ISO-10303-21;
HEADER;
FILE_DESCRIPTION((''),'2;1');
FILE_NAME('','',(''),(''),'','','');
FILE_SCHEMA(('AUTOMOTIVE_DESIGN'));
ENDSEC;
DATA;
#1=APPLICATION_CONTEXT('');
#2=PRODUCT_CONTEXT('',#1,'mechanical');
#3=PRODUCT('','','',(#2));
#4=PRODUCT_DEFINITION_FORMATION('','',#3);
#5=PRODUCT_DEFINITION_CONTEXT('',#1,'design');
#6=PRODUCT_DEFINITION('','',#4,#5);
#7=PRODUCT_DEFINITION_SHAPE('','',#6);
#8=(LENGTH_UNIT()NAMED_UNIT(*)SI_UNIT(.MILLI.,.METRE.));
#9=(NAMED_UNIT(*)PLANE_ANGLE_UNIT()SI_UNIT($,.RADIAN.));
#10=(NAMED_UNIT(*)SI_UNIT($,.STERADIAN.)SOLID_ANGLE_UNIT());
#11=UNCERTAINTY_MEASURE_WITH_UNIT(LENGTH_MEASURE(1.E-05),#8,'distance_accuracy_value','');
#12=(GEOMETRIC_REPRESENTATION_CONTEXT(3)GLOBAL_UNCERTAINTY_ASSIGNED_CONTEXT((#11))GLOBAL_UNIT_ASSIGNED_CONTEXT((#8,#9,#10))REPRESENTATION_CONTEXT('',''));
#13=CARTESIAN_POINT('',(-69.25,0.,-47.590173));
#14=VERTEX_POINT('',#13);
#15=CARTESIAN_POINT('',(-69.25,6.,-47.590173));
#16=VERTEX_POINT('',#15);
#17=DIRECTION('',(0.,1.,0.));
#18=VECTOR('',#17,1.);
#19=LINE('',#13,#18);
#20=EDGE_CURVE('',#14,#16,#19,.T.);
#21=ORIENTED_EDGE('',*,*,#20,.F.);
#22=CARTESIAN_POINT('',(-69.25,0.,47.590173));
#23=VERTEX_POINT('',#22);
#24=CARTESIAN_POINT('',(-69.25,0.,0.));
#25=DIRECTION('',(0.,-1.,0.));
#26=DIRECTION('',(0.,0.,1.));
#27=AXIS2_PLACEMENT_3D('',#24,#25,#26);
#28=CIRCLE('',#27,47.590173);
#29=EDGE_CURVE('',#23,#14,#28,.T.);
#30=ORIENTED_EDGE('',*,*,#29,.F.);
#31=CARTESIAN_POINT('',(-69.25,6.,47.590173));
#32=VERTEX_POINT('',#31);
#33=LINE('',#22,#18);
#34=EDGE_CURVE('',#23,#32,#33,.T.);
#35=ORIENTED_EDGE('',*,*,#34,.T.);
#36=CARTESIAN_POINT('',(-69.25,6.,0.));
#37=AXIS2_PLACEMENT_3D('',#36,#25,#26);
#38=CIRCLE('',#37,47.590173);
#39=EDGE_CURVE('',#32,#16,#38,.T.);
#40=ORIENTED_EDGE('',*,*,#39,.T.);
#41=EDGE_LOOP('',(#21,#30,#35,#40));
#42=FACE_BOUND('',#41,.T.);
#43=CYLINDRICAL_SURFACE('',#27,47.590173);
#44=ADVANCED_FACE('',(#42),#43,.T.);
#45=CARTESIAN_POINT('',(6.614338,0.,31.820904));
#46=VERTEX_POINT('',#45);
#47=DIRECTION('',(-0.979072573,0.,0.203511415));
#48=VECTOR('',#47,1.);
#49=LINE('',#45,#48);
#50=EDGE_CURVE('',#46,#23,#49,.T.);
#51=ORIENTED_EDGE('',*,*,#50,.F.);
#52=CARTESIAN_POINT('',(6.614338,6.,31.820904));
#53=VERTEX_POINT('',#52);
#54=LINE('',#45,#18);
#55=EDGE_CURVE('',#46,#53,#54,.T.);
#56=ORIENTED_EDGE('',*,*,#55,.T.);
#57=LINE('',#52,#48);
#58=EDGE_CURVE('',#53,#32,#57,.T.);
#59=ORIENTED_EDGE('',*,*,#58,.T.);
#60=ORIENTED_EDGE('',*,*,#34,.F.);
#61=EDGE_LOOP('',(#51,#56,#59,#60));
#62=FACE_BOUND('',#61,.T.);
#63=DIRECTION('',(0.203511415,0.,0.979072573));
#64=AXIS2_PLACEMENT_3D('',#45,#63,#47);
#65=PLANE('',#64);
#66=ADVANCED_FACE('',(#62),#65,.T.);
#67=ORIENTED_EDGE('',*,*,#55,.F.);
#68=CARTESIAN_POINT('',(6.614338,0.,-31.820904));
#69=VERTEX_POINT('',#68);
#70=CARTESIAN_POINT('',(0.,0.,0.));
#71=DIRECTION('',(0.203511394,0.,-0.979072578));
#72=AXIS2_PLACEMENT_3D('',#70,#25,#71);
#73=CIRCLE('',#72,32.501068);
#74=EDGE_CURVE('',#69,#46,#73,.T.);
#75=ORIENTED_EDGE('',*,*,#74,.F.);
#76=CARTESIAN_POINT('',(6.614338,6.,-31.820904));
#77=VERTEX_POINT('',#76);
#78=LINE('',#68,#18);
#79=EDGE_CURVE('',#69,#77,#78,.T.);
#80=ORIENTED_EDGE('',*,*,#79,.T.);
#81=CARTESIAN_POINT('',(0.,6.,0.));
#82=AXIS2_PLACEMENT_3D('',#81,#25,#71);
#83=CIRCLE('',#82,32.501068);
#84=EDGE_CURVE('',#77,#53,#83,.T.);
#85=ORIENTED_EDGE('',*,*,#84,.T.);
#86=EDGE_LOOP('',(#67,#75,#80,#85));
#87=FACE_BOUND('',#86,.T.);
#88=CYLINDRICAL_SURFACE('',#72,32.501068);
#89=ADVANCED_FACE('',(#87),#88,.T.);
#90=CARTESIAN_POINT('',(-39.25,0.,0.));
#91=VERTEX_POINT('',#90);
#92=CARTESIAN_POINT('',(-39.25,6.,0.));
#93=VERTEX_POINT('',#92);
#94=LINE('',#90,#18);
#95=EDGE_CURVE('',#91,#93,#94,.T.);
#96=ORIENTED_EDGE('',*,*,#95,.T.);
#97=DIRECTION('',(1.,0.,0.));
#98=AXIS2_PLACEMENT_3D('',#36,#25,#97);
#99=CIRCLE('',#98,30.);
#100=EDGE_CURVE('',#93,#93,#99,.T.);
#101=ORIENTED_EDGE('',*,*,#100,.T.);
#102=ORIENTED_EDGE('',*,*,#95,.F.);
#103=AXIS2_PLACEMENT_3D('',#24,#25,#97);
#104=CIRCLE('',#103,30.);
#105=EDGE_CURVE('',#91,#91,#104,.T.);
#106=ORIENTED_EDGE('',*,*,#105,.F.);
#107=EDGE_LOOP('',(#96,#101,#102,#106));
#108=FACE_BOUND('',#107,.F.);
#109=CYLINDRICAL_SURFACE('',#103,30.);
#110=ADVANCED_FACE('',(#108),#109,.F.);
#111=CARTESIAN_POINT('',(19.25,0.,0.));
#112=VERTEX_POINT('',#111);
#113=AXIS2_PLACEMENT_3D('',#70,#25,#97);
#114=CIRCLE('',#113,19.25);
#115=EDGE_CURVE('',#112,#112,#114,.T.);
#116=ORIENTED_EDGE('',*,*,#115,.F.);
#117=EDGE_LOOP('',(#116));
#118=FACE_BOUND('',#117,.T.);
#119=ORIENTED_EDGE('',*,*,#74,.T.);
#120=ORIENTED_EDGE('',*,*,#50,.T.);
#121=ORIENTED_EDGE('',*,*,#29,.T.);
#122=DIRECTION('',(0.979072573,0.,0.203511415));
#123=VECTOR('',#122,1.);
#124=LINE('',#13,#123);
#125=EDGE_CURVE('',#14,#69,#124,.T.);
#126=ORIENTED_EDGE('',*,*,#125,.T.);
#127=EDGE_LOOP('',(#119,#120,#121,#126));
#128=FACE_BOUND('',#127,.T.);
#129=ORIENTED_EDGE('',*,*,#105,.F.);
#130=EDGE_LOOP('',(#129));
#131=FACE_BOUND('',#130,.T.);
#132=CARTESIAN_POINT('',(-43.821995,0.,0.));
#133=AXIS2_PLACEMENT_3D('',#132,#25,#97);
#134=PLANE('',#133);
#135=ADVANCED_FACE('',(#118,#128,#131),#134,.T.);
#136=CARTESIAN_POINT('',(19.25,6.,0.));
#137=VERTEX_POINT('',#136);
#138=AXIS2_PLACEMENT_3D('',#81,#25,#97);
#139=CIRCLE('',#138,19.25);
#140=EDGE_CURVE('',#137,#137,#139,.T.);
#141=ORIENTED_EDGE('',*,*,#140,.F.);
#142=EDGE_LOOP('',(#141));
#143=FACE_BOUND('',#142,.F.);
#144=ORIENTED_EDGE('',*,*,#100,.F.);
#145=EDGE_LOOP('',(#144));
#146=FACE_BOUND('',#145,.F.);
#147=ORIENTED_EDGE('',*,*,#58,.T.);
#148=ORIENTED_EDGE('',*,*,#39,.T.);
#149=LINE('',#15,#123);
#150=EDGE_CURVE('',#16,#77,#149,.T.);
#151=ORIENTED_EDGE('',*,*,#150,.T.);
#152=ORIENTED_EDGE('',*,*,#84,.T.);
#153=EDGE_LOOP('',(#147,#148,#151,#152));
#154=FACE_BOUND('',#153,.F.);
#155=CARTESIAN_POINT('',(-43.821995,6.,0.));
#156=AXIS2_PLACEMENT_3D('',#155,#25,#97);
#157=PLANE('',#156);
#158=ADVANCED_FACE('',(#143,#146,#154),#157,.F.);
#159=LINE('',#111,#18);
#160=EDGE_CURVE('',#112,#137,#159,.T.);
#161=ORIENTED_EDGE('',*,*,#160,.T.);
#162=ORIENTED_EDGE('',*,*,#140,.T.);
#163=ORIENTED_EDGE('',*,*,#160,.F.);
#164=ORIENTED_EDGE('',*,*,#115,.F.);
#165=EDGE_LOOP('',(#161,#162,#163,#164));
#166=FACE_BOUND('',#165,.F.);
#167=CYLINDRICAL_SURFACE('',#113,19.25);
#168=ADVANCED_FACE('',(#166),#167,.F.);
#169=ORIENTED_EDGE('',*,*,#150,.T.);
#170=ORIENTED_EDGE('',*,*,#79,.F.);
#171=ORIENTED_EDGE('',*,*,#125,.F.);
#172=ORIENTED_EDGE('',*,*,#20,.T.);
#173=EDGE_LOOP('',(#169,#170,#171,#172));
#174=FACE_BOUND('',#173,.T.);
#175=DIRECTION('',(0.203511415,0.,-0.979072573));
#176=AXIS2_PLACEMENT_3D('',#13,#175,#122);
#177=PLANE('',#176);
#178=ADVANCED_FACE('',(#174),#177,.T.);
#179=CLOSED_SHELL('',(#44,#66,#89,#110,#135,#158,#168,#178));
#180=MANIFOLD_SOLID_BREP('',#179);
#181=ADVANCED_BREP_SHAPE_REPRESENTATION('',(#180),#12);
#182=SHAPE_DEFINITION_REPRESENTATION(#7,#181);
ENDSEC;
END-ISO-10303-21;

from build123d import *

# Parameters (mm, degrees)
F0_R     = 30
F0_R_2   = 19.25
F1_DEPTH = 6


with BuildPart() as f1:
    # F0 (on Front) → F1 (new body)
    with BuildSketch(Plane.XZ):
        with BuildLine():
            Line((6.614338, 31.820904), (-69.25, 47.590173))
            ThreePointArc((-69.25, 47.590173), (-116.840173, 0), (-69.25, -47.590173))
            Line((-69.25, -47.590173), (6.614338, -31.820904))
            ThreePointArc((6.614338, -31.820904), (32.501068, 0), (6.614338, 31.820904))
        make_face()
        with Locations((-69.25, 0)):
            Circle(F0_R, mode=Mode.SUBTRACT)
        Circle(F0_R_2, mode=Mode.SUBTRACT)
    extrude(amount=-F1_DEPTH)


solid = f1.part
